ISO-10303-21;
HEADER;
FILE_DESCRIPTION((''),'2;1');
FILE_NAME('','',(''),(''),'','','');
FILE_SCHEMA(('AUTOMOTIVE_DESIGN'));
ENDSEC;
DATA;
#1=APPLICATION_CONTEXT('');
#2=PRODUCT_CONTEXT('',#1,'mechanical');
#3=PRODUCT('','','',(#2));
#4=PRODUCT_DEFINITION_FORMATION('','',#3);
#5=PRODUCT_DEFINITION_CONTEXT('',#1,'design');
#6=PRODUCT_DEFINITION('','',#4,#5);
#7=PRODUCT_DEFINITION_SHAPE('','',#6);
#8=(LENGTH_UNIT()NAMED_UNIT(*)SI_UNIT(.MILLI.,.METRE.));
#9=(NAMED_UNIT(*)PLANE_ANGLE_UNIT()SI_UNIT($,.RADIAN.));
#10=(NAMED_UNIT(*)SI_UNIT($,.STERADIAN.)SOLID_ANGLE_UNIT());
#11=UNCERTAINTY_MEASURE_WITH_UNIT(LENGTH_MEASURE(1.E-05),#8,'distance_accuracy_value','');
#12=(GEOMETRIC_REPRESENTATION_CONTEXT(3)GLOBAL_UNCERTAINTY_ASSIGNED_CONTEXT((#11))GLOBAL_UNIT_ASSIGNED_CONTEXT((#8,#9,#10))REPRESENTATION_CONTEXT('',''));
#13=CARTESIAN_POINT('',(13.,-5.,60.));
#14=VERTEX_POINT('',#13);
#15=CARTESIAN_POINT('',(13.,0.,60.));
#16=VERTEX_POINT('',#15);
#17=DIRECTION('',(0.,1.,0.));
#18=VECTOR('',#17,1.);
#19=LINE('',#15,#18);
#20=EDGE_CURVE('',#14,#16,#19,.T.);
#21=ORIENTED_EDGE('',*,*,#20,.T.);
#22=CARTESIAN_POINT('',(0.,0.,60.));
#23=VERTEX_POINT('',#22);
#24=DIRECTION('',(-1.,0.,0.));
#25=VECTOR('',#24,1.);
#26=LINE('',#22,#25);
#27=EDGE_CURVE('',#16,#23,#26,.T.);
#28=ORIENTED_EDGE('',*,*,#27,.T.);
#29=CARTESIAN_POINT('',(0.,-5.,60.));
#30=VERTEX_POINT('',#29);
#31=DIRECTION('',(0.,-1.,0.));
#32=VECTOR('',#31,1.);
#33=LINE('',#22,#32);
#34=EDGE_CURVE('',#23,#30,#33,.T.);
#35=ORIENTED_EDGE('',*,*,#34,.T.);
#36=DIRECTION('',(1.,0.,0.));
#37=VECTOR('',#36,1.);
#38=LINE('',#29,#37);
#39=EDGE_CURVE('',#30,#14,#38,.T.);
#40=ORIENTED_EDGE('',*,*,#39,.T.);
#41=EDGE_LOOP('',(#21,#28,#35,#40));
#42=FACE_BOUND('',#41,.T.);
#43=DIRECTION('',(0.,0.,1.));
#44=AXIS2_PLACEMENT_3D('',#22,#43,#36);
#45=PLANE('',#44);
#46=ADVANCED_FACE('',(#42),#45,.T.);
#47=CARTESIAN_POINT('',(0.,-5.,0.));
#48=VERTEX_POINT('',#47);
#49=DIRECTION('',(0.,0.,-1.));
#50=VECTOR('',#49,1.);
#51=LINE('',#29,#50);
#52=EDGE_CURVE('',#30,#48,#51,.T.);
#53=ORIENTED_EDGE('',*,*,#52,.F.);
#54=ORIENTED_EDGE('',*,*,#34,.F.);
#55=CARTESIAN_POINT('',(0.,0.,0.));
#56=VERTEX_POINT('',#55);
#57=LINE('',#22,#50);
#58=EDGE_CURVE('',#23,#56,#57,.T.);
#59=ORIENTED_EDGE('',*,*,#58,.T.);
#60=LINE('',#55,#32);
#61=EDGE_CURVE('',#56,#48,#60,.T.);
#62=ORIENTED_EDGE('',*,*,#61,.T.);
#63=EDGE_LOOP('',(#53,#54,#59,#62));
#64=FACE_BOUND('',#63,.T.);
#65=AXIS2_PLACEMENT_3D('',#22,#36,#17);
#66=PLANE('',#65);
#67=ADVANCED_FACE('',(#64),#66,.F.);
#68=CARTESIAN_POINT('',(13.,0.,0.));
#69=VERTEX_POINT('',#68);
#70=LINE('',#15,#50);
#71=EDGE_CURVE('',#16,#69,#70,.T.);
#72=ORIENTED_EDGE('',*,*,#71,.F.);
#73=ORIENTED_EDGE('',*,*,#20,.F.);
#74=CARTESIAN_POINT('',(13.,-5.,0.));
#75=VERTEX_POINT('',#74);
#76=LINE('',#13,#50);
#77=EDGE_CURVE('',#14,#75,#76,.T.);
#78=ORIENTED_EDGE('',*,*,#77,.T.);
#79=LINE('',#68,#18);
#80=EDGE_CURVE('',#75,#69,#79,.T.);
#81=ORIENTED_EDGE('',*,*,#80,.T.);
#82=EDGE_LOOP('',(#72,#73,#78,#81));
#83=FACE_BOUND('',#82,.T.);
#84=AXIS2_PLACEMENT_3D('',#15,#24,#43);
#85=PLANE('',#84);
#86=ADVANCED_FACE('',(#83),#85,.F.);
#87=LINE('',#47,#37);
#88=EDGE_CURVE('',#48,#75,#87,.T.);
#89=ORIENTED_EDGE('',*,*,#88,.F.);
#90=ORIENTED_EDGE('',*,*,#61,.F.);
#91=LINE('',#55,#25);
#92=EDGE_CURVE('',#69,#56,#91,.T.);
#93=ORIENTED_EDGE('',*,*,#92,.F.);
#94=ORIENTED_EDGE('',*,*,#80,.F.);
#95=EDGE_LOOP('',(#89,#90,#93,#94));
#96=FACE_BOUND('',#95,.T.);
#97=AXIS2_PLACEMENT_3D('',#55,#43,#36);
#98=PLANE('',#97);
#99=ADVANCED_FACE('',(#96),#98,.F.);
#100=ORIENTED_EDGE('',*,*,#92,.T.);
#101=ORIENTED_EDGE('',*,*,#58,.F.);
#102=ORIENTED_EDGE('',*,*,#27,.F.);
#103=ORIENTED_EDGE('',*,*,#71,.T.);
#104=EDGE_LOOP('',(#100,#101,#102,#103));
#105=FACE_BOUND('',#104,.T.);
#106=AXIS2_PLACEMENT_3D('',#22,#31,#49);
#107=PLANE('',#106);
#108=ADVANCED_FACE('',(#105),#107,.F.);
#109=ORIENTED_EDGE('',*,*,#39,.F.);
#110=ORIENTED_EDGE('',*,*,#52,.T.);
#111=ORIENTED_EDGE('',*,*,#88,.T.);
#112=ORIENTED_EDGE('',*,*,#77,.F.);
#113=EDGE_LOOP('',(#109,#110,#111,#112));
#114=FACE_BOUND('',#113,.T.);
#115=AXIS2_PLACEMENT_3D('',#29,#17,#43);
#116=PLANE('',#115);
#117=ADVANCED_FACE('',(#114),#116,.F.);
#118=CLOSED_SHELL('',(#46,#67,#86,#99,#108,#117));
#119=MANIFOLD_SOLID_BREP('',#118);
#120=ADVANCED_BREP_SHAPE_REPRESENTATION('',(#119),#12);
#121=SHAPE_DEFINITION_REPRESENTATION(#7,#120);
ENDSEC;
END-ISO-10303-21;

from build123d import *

# Parameters (mm, degrees)
ESQUISSE1_W        = 13
ESQUISSE1_H        = 5
BOSS_EXTRU_1_DEPTH = 60


with BuildPart() as part:
    # Esquisse1 → Boss.-Extru.1 (new body)
    with BuildSketch(Plane.XY):
        with Locations((6.5, -2.5)):
            Rectangle(ESQUISSE1_W, ESQUISSE1_H)
    extrude(amount=BOSS_EXTRU_1_DEPTH)


solid = part.part
